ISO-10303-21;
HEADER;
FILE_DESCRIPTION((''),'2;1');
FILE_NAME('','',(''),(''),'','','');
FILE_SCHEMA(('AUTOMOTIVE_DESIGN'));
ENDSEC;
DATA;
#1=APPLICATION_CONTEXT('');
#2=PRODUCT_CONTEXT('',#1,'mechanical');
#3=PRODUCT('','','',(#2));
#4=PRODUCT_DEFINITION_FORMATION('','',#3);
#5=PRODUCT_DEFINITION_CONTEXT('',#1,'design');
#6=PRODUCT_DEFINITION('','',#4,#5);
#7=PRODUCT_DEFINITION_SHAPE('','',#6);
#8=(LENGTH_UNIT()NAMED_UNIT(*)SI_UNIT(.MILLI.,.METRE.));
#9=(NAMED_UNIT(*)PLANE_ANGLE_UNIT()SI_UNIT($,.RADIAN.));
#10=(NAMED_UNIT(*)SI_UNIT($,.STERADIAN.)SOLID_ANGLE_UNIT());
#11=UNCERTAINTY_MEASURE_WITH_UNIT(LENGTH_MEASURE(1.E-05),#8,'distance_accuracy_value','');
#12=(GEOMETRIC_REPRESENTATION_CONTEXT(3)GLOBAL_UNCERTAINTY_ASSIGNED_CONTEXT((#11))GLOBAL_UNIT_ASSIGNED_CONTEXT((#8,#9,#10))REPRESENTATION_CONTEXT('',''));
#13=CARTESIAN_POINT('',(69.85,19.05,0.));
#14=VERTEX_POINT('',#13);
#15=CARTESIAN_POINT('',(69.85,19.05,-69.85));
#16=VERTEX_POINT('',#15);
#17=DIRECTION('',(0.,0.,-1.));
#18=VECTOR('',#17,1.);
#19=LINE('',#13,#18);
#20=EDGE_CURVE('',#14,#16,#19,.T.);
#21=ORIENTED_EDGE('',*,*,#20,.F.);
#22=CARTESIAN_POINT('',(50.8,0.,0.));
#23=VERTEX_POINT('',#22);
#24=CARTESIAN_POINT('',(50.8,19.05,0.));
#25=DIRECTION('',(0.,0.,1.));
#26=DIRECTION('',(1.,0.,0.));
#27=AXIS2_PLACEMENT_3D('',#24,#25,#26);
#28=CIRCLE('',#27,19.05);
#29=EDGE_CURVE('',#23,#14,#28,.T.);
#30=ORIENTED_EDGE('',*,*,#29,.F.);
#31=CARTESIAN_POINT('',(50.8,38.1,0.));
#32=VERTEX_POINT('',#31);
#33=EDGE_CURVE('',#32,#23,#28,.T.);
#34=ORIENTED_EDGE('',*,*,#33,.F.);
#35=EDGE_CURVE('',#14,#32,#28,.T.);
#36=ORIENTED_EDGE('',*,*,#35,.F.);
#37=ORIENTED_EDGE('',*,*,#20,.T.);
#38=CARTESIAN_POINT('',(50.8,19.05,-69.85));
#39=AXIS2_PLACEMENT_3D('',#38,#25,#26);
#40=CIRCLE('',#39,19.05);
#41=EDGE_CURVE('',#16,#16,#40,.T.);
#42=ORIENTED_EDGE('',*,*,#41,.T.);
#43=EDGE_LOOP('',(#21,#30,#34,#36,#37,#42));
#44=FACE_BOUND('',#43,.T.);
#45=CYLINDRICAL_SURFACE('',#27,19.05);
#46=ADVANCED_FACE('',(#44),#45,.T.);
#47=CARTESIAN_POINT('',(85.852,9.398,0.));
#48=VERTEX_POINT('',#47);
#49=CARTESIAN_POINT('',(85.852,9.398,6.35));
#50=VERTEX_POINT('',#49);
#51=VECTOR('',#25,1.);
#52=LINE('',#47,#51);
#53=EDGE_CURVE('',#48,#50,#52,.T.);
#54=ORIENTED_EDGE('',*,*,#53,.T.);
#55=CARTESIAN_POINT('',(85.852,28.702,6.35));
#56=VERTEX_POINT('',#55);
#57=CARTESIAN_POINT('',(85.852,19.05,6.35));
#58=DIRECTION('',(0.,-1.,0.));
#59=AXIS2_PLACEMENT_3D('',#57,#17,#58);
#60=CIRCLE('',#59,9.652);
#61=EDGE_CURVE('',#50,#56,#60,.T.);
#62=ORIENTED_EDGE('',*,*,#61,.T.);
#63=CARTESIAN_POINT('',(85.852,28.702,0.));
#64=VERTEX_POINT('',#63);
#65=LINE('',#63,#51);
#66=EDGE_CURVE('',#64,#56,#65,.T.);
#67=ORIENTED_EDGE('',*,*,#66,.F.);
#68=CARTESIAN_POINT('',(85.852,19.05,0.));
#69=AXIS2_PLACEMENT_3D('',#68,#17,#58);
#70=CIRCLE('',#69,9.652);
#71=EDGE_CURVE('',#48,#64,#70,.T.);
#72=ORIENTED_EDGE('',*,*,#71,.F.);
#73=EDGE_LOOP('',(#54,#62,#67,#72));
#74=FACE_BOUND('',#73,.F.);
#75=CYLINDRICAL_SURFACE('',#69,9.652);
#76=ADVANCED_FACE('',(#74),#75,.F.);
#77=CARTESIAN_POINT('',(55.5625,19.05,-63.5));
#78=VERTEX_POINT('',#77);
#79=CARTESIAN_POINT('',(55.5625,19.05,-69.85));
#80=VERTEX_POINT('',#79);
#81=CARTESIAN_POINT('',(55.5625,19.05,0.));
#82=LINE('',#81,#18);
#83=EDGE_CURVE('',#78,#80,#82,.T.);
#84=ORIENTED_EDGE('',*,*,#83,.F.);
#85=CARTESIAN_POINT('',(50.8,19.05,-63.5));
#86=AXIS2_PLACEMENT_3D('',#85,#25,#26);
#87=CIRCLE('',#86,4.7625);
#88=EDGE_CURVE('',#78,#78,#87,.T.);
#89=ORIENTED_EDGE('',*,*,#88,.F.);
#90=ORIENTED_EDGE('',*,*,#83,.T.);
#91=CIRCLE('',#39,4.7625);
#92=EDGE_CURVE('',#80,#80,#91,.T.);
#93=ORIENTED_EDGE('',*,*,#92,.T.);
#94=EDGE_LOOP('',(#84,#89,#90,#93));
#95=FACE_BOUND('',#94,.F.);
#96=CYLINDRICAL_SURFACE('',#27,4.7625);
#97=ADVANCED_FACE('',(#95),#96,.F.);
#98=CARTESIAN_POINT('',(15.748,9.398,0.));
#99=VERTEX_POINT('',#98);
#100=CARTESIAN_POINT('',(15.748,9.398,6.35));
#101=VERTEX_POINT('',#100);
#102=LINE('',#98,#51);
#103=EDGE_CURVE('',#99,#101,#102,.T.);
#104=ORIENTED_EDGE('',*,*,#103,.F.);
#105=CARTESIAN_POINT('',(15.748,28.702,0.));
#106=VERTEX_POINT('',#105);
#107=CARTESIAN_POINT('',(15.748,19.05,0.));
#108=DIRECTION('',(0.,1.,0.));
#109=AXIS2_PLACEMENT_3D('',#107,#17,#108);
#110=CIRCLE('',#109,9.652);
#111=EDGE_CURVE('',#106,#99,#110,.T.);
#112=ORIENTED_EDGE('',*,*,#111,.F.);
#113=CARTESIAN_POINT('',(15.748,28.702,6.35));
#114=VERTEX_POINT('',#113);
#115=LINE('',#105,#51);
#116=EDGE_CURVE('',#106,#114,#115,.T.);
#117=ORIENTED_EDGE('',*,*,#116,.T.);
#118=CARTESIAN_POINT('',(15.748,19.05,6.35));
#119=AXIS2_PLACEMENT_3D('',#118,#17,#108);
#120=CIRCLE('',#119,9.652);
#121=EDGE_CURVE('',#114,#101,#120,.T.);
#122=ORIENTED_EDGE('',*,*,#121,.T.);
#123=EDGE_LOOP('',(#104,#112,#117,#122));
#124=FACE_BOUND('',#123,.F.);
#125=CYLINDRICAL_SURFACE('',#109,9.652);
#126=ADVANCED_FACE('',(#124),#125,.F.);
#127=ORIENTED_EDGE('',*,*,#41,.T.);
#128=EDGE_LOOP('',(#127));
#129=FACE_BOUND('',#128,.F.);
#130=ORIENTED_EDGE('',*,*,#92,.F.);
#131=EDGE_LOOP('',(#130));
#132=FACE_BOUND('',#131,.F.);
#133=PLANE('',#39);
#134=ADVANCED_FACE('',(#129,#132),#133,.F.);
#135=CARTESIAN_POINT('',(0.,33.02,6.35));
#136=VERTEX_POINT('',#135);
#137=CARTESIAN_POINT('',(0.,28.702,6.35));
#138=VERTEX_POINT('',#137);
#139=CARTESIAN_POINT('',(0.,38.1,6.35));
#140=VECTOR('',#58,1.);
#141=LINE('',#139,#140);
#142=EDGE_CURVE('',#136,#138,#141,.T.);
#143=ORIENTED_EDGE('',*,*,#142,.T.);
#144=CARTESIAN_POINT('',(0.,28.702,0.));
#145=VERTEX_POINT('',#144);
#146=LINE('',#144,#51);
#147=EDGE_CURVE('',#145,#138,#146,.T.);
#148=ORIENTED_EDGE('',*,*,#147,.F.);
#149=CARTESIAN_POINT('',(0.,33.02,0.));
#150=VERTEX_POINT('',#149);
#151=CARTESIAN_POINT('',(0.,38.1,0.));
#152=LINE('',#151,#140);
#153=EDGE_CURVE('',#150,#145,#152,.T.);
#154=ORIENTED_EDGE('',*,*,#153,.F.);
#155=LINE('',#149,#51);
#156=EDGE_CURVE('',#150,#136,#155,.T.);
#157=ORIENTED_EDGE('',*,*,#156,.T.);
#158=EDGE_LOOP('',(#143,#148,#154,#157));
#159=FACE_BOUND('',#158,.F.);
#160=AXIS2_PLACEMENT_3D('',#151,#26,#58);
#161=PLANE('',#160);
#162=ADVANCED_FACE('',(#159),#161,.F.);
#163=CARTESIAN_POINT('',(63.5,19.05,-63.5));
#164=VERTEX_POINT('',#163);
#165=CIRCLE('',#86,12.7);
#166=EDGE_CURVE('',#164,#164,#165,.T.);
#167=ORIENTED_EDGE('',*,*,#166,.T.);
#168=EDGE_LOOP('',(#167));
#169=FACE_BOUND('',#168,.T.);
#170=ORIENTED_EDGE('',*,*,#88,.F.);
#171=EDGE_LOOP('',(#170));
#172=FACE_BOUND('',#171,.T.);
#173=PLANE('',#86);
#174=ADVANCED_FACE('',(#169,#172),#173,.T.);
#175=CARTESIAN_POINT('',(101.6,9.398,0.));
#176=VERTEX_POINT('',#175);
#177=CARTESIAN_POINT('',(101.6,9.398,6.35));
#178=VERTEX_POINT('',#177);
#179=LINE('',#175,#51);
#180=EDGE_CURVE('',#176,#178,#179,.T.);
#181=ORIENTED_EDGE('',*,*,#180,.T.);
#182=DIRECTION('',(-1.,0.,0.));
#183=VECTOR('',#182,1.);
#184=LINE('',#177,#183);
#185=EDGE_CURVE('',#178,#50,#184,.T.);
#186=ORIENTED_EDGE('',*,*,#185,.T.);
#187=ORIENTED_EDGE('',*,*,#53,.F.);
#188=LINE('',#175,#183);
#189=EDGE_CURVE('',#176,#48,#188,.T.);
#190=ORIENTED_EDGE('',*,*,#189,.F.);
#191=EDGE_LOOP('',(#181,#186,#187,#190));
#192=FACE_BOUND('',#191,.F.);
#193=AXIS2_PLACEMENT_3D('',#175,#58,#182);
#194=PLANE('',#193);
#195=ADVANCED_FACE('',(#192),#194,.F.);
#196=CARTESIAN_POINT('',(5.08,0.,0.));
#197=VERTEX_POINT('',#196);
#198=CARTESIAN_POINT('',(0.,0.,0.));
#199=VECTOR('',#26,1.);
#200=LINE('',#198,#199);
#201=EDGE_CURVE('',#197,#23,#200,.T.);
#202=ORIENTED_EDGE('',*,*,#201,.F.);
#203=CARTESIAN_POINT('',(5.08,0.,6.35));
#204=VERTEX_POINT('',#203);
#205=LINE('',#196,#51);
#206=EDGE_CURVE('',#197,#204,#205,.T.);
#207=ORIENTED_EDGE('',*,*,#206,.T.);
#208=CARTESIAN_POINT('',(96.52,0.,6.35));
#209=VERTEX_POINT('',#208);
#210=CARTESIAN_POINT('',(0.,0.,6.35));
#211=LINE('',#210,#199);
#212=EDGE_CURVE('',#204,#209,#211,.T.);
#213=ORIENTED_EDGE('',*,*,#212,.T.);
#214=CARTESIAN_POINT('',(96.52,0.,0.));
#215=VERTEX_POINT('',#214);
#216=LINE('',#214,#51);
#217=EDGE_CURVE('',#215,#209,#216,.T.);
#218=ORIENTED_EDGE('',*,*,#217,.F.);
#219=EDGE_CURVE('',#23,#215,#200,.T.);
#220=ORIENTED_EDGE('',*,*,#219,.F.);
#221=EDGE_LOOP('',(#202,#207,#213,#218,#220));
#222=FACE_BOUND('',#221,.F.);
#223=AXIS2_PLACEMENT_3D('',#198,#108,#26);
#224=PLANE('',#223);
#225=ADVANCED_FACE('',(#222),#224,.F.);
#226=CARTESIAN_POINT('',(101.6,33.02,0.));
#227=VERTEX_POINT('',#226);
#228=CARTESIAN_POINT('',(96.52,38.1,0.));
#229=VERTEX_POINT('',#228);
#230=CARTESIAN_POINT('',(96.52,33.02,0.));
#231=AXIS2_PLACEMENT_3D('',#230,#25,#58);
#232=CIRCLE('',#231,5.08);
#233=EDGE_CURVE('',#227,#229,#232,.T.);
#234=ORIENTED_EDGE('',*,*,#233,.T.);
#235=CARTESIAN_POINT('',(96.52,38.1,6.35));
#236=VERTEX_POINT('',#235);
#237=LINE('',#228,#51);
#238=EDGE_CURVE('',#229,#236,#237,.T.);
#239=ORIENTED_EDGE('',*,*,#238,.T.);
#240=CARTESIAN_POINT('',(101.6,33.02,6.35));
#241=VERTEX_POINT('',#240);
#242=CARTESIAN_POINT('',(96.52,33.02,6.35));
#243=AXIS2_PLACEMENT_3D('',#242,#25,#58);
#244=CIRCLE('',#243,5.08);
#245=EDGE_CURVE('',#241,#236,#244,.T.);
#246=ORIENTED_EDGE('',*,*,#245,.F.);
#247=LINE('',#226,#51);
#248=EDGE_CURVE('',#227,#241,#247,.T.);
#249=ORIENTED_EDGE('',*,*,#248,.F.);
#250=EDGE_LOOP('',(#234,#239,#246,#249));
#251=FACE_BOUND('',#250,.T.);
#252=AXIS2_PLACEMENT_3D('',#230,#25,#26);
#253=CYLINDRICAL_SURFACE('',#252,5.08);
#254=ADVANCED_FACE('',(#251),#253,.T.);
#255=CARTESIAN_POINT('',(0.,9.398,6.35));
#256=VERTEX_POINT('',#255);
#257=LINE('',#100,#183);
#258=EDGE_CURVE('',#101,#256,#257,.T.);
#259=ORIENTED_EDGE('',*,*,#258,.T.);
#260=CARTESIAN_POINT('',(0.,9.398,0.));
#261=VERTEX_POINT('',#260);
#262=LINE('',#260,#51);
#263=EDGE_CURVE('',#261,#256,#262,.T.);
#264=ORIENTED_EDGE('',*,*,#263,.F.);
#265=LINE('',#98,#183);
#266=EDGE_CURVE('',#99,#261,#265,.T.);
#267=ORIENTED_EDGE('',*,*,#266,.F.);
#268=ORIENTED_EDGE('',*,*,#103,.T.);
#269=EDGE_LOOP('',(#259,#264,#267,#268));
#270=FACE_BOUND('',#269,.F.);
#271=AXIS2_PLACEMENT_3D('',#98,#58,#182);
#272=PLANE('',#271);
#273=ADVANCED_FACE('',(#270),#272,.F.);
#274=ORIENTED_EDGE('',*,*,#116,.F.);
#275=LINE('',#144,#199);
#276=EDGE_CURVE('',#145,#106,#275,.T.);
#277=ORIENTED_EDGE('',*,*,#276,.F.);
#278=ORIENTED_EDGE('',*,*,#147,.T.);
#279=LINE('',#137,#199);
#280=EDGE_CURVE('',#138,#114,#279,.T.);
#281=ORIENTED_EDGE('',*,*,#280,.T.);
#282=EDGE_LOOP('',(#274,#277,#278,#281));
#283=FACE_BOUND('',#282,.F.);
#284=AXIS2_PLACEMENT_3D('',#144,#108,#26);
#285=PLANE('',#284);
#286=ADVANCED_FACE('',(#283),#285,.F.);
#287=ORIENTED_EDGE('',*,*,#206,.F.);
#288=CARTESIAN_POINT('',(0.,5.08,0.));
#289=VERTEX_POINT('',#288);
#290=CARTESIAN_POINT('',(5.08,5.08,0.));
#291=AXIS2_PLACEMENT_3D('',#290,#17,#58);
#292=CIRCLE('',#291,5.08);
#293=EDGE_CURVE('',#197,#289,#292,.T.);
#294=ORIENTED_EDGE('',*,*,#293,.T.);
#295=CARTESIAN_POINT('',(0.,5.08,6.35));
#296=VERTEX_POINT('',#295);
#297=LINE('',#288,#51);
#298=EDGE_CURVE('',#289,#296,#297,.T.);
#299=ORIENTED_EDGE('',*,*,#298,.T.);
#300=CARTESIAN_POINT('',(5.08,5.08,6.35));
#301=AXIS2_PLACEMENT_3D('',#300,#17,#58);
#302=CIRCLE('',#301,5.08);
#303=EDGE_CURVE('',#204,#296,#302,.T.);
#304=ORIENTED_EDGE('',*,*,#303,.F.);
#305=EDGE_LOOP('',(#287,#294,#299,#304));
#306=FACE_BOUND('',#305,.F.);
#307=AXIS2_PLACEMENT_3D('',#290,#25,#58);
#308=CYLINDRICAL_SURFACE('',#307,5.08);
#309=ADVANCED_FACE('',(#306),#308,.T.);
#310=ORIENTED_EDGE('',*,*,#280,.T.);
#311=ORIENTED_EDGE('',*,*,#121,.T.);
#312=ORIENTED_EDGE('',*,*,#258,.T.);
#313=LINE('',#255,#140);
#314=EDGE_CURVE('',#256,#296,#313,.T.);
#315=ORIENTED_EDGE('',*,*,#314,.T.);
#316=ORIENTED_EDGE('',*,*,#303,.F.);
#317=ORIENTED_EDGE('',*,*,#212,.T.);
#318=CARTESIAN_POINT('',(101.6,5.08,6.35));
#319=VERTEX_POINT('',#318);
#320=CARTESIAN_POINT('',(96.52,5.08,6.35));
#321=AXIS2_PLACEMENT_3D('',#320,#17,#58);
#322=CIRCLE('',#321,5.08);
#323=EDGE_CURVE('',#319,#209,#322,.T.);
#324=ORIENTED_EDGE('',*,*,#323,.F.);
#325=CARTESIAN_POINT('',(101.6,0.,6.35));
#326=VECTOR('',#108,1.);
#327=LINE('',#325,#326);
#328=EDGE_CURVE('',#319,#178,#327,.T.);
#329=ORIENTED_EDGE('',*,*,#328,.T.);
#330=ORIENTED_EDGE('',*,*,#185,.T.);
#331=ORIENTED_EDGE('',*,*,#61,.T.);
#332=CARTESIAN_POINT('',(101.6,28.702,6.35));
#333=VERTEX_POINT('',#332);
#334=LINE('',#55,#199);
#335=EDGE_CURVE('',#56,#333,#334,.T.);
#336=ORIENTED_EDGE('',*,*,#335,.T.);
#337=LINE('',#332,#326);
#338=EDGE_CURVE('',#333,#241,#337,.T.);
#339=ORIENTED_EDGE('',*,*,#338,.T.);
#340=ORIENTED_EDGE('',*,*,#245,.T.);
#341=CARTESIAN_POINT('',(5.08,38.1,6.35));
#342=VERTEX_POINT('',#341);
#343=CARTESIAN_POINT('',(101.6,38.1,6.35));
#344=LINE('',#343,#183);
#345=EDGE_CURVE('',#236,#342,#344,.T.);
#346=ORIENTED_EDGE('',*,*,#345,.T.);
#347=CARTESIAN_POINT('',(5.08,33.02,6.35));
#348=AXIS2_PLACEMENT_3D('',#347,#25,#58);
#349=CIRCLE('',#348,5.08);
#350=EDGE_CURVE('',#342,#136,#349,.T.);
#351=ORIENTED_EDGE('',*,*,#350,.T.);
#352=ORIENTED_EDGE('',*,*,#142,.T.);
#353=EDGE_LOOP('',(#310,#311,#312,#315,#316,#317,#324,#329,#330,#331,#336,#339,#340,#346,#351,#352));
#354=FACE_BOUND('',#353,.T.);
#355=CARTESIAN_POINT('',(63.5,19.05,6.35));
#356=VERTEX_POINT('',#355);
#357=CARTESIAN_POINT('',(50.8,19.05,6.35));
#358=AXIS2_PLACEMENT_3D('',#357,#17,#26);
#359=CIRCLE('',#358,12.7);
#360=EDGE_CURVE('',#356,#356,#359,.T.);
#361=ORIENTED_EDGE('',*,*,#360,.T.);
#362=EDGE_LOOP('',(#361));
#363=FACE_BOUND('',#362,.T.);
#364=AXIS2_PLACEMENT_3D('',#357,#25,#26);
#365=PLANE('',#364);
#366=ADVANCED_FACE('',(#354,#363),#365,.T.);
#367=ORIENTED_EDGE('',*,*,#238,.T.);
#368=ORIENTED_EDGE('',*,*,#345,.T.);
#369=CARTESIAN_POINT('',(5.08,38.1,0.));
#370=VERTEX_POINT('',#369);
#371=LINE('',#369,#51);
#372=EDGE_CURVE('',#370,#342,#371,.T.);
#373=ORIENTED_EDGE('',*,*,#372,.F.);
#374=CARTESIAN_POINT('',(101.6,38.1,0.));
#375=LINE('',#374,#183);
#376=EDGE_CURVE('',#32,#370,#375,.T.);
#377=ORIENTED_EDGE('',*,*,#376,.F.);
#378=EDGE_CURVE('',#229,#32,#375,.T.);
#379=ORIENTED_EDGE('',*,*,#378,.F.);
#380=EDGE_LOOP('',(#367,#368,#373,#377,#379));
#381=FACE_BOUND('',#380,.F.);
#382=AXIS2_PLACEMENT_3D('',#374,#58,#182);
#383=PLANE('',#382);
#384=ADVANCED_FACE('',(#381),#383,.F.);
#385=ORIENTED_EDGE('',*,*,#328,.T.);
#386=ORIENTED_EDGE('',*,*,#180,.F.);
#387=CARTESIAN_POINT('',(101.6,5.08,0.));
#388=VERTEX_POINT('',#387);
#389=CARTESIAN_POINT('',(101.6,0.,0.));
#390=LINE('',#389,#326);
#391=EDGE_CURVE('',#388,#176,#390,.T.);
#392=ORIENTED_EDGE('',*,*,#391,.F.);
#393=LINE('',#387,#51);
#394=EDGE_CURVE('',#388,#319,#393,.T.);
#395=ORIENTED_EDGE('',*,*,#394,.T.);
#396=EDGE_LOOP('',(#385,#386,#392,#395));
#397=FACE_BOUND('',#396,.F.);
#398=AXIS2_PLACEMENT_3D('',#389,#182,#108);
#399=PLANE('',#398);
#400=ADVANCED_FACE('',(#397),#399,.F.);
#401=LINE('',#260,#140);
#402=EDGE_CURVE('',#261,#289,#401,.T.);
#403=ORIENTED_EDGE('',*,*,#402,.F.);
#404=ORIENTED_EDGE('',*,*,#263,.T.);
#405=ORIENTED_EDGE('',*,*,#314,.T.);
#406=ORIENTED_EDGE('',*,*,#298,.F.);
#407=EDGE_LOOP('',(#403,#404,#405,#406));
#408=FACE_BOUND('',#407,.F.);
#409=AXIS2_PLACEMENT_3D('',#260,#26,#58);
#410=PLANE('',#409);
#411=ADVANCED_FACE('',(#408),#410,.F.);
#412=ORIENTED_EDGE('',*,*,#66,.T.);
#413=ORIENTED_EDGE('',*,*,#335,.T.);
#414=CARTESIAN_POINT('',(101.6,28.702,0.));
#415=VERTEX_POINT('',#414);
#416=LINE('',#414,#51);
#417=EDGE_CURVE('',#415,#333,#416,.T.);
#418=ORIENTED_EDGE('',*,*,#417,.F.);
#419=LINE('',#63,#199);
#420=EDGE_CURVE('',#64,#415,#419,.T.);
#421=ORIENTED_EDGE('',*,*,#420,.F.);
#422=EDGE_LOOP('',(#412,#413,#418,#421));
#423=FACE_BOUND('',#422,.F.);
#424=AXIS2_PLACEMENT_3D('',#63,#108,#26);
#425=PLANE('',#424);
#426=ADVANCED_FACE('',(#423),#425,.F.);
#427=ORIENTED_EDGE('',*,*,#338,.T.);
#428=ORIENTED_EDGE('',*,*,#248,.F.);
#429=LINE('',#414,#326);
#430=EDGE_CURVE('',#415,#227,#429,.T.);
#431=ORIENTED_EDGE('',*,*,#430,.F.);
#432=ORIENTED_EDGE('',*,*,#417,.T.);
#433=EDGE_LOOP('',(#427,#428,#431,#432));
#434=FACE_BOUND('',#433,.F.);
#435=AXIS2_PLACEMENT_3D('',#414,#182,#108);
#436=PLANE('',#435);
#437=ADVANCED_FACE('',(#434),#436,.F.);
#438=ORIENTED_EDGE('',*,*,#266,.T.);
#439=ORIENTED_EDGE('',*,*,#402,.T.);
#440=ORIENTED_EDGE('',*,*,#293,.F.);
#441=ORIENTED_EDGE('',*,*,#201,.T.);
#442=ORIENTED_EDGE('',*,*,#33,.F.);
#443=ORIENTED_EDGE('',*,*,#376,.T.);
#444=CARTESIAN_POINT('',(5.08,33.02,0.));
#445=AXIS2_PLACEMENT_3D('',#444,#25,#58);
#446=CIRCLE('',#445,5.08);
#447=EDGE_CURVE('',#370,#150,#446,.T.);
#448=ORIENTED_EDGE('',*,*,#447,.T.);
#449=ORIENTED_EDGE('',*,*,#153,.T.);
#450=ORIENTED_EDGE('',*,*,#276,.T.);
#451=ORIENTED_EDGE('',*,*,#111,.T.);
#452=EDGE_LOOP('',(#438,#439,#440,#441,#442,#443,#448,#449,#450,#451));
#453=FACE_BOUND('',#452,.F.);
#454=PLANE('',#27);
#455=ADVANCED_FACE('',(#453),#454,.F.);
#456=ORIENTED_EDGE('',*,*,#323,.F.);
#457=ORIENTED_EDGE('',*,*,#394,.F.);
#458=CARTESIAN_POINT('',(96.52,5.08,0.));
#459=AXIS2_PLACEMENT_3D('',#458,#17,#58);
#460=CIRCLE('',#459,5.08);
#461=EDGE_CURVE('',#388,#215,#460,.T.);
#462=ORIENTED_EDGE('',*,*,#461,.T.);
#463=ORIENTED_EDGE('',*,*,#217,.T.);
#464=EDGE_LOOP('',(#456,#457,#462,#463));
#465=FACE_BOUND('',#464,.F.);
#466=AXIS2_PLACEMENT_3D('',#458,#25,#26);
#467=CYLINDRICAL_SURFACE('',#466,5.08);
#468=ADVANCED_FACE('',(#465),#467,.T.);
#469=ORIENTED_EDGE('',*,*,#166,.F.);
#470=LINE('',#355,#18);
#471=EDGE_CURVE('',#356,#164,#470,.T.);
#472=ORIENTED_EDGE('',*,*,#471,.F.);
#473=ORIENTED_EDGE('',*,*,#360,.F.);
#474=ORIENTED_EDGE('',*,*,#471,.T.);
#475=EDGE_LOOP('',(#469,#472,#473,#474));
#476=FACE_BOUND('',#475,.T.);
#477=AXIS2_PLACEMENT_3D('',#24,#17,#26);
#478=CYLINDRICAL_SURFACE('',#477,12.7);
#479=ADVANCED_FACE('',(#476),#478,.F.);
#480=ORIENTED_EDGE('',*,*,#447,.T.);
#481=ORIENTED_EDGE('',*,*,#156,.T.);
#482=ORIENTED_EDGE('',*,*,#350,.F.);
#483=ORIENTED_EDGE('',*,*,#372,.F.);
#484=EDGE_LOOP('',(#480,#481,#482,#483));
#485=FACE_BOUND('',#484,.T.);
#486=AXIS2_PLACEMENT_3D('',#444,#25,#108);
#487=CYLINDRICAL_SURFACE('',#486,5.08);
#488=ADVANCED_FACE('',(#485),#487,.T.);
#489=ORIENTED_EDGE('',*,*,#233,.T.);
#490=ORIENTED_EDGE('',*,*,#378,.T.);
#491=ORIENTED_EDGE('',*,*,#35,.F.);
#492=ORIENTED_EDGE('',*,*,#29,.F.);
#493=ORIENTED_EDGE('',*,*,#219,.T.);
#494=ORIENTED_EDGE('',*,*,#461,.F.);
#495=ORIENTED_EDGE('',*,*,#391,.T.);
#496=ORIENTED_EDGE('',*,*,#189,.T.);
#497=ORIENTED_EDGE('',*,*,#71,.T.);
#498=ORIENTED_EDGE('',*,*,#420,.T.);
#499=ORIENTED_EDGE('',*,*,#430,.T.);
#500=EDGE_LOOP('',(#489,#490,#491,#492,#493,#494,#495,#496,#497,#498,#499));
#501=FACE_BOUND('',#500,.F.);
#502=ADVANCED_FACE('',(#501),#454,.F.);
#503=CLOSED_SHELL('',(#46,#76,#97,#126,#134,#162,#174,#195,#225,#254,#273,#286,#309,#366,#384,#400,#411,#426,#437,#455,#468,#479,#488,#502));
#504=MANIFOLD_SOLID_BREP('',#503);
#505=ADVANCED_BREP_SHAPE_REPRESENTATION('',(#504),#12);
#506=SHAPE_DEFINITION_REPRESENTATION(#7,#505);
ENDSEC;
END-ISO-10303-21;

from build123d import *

# Parameters (mm, degrees)
F1_DEPTH      = 6.35
F2_R          = 19.05
F2_R_2        = 4.7625
F4_DEPTH      = 69.85
F3_R          = 12.7
F5_DEPTH      = 63.5
F5_DEPTH_BACK = 25.4
F6_R          = 5.08


with BuildPart() as f1:
    # F0 (on Top) → F1 (new body)
    with BuildSketch(Plane.XY):
        with BuildLine():
            Line((0, 9.398), (0, 0))
            Line((0, 0), (101.6, 0))
            Line((101.6, 0), (101.6, 9.398))
            Line((101.6, 9.398), (85.852, 9.398))
            ThreePointArc((85.852, 9.398), (76.2, 19.05), (85.852, 28.702))
            Line((85.852, 28.702), (101.6, 28.702))
            Line((101.6, 28.702), (101.6, 38.1))
            Line((101.6, 38.1), (0, 38.1))
            Line((0, 38.1), (0, 28.702))
            Line((0, 28.702), (15.748, 28.702))
            ThreePointArc((15.748, 28.702), (25.4, 19.05), (15.748, 9.398))
            Line((15.748, 9.398), (0, 9.398))
        make_face()
    extrude(amount=F1_DEPTH)

    # F2 (on Top) → F4 (join)
    with BuildSketch(Plane.XY):
        with Locations((50.8, 19.05)):
            Circle(F2_R)
        with Locations((50.8, 19.05)):
            Circle(F2_R_2, mode=Mode.SUBTRACT)
    extrude(amount=-F4_DEPTH)

    # F3 (on Top) → F5 (cut, two sides)
    with BuildSketch(Plane.XY) as f5_sk:
        with Locations((50.8, 19.05)):
            Circle(F3_R)
    extrude(amount=-F5_DEPTH, mode=Mode.SUBTRACT)
    extrude(f5_sk.sketch, amount=F5_DEPTH_BACK, mode=Mode.SUBTRACT)

    # F6
    f6_edges = [f1.edges().sort_by_distance(p)[0] for p in [
        (101.6, 0, 3.175),
        (101.6, 38.1, 3.175),
        (0, 0, 3.175),
        (0, 38.1, 3.175),
    ]]
    fillet(f6_edges, radius=F6_R)


solid = f1.part
